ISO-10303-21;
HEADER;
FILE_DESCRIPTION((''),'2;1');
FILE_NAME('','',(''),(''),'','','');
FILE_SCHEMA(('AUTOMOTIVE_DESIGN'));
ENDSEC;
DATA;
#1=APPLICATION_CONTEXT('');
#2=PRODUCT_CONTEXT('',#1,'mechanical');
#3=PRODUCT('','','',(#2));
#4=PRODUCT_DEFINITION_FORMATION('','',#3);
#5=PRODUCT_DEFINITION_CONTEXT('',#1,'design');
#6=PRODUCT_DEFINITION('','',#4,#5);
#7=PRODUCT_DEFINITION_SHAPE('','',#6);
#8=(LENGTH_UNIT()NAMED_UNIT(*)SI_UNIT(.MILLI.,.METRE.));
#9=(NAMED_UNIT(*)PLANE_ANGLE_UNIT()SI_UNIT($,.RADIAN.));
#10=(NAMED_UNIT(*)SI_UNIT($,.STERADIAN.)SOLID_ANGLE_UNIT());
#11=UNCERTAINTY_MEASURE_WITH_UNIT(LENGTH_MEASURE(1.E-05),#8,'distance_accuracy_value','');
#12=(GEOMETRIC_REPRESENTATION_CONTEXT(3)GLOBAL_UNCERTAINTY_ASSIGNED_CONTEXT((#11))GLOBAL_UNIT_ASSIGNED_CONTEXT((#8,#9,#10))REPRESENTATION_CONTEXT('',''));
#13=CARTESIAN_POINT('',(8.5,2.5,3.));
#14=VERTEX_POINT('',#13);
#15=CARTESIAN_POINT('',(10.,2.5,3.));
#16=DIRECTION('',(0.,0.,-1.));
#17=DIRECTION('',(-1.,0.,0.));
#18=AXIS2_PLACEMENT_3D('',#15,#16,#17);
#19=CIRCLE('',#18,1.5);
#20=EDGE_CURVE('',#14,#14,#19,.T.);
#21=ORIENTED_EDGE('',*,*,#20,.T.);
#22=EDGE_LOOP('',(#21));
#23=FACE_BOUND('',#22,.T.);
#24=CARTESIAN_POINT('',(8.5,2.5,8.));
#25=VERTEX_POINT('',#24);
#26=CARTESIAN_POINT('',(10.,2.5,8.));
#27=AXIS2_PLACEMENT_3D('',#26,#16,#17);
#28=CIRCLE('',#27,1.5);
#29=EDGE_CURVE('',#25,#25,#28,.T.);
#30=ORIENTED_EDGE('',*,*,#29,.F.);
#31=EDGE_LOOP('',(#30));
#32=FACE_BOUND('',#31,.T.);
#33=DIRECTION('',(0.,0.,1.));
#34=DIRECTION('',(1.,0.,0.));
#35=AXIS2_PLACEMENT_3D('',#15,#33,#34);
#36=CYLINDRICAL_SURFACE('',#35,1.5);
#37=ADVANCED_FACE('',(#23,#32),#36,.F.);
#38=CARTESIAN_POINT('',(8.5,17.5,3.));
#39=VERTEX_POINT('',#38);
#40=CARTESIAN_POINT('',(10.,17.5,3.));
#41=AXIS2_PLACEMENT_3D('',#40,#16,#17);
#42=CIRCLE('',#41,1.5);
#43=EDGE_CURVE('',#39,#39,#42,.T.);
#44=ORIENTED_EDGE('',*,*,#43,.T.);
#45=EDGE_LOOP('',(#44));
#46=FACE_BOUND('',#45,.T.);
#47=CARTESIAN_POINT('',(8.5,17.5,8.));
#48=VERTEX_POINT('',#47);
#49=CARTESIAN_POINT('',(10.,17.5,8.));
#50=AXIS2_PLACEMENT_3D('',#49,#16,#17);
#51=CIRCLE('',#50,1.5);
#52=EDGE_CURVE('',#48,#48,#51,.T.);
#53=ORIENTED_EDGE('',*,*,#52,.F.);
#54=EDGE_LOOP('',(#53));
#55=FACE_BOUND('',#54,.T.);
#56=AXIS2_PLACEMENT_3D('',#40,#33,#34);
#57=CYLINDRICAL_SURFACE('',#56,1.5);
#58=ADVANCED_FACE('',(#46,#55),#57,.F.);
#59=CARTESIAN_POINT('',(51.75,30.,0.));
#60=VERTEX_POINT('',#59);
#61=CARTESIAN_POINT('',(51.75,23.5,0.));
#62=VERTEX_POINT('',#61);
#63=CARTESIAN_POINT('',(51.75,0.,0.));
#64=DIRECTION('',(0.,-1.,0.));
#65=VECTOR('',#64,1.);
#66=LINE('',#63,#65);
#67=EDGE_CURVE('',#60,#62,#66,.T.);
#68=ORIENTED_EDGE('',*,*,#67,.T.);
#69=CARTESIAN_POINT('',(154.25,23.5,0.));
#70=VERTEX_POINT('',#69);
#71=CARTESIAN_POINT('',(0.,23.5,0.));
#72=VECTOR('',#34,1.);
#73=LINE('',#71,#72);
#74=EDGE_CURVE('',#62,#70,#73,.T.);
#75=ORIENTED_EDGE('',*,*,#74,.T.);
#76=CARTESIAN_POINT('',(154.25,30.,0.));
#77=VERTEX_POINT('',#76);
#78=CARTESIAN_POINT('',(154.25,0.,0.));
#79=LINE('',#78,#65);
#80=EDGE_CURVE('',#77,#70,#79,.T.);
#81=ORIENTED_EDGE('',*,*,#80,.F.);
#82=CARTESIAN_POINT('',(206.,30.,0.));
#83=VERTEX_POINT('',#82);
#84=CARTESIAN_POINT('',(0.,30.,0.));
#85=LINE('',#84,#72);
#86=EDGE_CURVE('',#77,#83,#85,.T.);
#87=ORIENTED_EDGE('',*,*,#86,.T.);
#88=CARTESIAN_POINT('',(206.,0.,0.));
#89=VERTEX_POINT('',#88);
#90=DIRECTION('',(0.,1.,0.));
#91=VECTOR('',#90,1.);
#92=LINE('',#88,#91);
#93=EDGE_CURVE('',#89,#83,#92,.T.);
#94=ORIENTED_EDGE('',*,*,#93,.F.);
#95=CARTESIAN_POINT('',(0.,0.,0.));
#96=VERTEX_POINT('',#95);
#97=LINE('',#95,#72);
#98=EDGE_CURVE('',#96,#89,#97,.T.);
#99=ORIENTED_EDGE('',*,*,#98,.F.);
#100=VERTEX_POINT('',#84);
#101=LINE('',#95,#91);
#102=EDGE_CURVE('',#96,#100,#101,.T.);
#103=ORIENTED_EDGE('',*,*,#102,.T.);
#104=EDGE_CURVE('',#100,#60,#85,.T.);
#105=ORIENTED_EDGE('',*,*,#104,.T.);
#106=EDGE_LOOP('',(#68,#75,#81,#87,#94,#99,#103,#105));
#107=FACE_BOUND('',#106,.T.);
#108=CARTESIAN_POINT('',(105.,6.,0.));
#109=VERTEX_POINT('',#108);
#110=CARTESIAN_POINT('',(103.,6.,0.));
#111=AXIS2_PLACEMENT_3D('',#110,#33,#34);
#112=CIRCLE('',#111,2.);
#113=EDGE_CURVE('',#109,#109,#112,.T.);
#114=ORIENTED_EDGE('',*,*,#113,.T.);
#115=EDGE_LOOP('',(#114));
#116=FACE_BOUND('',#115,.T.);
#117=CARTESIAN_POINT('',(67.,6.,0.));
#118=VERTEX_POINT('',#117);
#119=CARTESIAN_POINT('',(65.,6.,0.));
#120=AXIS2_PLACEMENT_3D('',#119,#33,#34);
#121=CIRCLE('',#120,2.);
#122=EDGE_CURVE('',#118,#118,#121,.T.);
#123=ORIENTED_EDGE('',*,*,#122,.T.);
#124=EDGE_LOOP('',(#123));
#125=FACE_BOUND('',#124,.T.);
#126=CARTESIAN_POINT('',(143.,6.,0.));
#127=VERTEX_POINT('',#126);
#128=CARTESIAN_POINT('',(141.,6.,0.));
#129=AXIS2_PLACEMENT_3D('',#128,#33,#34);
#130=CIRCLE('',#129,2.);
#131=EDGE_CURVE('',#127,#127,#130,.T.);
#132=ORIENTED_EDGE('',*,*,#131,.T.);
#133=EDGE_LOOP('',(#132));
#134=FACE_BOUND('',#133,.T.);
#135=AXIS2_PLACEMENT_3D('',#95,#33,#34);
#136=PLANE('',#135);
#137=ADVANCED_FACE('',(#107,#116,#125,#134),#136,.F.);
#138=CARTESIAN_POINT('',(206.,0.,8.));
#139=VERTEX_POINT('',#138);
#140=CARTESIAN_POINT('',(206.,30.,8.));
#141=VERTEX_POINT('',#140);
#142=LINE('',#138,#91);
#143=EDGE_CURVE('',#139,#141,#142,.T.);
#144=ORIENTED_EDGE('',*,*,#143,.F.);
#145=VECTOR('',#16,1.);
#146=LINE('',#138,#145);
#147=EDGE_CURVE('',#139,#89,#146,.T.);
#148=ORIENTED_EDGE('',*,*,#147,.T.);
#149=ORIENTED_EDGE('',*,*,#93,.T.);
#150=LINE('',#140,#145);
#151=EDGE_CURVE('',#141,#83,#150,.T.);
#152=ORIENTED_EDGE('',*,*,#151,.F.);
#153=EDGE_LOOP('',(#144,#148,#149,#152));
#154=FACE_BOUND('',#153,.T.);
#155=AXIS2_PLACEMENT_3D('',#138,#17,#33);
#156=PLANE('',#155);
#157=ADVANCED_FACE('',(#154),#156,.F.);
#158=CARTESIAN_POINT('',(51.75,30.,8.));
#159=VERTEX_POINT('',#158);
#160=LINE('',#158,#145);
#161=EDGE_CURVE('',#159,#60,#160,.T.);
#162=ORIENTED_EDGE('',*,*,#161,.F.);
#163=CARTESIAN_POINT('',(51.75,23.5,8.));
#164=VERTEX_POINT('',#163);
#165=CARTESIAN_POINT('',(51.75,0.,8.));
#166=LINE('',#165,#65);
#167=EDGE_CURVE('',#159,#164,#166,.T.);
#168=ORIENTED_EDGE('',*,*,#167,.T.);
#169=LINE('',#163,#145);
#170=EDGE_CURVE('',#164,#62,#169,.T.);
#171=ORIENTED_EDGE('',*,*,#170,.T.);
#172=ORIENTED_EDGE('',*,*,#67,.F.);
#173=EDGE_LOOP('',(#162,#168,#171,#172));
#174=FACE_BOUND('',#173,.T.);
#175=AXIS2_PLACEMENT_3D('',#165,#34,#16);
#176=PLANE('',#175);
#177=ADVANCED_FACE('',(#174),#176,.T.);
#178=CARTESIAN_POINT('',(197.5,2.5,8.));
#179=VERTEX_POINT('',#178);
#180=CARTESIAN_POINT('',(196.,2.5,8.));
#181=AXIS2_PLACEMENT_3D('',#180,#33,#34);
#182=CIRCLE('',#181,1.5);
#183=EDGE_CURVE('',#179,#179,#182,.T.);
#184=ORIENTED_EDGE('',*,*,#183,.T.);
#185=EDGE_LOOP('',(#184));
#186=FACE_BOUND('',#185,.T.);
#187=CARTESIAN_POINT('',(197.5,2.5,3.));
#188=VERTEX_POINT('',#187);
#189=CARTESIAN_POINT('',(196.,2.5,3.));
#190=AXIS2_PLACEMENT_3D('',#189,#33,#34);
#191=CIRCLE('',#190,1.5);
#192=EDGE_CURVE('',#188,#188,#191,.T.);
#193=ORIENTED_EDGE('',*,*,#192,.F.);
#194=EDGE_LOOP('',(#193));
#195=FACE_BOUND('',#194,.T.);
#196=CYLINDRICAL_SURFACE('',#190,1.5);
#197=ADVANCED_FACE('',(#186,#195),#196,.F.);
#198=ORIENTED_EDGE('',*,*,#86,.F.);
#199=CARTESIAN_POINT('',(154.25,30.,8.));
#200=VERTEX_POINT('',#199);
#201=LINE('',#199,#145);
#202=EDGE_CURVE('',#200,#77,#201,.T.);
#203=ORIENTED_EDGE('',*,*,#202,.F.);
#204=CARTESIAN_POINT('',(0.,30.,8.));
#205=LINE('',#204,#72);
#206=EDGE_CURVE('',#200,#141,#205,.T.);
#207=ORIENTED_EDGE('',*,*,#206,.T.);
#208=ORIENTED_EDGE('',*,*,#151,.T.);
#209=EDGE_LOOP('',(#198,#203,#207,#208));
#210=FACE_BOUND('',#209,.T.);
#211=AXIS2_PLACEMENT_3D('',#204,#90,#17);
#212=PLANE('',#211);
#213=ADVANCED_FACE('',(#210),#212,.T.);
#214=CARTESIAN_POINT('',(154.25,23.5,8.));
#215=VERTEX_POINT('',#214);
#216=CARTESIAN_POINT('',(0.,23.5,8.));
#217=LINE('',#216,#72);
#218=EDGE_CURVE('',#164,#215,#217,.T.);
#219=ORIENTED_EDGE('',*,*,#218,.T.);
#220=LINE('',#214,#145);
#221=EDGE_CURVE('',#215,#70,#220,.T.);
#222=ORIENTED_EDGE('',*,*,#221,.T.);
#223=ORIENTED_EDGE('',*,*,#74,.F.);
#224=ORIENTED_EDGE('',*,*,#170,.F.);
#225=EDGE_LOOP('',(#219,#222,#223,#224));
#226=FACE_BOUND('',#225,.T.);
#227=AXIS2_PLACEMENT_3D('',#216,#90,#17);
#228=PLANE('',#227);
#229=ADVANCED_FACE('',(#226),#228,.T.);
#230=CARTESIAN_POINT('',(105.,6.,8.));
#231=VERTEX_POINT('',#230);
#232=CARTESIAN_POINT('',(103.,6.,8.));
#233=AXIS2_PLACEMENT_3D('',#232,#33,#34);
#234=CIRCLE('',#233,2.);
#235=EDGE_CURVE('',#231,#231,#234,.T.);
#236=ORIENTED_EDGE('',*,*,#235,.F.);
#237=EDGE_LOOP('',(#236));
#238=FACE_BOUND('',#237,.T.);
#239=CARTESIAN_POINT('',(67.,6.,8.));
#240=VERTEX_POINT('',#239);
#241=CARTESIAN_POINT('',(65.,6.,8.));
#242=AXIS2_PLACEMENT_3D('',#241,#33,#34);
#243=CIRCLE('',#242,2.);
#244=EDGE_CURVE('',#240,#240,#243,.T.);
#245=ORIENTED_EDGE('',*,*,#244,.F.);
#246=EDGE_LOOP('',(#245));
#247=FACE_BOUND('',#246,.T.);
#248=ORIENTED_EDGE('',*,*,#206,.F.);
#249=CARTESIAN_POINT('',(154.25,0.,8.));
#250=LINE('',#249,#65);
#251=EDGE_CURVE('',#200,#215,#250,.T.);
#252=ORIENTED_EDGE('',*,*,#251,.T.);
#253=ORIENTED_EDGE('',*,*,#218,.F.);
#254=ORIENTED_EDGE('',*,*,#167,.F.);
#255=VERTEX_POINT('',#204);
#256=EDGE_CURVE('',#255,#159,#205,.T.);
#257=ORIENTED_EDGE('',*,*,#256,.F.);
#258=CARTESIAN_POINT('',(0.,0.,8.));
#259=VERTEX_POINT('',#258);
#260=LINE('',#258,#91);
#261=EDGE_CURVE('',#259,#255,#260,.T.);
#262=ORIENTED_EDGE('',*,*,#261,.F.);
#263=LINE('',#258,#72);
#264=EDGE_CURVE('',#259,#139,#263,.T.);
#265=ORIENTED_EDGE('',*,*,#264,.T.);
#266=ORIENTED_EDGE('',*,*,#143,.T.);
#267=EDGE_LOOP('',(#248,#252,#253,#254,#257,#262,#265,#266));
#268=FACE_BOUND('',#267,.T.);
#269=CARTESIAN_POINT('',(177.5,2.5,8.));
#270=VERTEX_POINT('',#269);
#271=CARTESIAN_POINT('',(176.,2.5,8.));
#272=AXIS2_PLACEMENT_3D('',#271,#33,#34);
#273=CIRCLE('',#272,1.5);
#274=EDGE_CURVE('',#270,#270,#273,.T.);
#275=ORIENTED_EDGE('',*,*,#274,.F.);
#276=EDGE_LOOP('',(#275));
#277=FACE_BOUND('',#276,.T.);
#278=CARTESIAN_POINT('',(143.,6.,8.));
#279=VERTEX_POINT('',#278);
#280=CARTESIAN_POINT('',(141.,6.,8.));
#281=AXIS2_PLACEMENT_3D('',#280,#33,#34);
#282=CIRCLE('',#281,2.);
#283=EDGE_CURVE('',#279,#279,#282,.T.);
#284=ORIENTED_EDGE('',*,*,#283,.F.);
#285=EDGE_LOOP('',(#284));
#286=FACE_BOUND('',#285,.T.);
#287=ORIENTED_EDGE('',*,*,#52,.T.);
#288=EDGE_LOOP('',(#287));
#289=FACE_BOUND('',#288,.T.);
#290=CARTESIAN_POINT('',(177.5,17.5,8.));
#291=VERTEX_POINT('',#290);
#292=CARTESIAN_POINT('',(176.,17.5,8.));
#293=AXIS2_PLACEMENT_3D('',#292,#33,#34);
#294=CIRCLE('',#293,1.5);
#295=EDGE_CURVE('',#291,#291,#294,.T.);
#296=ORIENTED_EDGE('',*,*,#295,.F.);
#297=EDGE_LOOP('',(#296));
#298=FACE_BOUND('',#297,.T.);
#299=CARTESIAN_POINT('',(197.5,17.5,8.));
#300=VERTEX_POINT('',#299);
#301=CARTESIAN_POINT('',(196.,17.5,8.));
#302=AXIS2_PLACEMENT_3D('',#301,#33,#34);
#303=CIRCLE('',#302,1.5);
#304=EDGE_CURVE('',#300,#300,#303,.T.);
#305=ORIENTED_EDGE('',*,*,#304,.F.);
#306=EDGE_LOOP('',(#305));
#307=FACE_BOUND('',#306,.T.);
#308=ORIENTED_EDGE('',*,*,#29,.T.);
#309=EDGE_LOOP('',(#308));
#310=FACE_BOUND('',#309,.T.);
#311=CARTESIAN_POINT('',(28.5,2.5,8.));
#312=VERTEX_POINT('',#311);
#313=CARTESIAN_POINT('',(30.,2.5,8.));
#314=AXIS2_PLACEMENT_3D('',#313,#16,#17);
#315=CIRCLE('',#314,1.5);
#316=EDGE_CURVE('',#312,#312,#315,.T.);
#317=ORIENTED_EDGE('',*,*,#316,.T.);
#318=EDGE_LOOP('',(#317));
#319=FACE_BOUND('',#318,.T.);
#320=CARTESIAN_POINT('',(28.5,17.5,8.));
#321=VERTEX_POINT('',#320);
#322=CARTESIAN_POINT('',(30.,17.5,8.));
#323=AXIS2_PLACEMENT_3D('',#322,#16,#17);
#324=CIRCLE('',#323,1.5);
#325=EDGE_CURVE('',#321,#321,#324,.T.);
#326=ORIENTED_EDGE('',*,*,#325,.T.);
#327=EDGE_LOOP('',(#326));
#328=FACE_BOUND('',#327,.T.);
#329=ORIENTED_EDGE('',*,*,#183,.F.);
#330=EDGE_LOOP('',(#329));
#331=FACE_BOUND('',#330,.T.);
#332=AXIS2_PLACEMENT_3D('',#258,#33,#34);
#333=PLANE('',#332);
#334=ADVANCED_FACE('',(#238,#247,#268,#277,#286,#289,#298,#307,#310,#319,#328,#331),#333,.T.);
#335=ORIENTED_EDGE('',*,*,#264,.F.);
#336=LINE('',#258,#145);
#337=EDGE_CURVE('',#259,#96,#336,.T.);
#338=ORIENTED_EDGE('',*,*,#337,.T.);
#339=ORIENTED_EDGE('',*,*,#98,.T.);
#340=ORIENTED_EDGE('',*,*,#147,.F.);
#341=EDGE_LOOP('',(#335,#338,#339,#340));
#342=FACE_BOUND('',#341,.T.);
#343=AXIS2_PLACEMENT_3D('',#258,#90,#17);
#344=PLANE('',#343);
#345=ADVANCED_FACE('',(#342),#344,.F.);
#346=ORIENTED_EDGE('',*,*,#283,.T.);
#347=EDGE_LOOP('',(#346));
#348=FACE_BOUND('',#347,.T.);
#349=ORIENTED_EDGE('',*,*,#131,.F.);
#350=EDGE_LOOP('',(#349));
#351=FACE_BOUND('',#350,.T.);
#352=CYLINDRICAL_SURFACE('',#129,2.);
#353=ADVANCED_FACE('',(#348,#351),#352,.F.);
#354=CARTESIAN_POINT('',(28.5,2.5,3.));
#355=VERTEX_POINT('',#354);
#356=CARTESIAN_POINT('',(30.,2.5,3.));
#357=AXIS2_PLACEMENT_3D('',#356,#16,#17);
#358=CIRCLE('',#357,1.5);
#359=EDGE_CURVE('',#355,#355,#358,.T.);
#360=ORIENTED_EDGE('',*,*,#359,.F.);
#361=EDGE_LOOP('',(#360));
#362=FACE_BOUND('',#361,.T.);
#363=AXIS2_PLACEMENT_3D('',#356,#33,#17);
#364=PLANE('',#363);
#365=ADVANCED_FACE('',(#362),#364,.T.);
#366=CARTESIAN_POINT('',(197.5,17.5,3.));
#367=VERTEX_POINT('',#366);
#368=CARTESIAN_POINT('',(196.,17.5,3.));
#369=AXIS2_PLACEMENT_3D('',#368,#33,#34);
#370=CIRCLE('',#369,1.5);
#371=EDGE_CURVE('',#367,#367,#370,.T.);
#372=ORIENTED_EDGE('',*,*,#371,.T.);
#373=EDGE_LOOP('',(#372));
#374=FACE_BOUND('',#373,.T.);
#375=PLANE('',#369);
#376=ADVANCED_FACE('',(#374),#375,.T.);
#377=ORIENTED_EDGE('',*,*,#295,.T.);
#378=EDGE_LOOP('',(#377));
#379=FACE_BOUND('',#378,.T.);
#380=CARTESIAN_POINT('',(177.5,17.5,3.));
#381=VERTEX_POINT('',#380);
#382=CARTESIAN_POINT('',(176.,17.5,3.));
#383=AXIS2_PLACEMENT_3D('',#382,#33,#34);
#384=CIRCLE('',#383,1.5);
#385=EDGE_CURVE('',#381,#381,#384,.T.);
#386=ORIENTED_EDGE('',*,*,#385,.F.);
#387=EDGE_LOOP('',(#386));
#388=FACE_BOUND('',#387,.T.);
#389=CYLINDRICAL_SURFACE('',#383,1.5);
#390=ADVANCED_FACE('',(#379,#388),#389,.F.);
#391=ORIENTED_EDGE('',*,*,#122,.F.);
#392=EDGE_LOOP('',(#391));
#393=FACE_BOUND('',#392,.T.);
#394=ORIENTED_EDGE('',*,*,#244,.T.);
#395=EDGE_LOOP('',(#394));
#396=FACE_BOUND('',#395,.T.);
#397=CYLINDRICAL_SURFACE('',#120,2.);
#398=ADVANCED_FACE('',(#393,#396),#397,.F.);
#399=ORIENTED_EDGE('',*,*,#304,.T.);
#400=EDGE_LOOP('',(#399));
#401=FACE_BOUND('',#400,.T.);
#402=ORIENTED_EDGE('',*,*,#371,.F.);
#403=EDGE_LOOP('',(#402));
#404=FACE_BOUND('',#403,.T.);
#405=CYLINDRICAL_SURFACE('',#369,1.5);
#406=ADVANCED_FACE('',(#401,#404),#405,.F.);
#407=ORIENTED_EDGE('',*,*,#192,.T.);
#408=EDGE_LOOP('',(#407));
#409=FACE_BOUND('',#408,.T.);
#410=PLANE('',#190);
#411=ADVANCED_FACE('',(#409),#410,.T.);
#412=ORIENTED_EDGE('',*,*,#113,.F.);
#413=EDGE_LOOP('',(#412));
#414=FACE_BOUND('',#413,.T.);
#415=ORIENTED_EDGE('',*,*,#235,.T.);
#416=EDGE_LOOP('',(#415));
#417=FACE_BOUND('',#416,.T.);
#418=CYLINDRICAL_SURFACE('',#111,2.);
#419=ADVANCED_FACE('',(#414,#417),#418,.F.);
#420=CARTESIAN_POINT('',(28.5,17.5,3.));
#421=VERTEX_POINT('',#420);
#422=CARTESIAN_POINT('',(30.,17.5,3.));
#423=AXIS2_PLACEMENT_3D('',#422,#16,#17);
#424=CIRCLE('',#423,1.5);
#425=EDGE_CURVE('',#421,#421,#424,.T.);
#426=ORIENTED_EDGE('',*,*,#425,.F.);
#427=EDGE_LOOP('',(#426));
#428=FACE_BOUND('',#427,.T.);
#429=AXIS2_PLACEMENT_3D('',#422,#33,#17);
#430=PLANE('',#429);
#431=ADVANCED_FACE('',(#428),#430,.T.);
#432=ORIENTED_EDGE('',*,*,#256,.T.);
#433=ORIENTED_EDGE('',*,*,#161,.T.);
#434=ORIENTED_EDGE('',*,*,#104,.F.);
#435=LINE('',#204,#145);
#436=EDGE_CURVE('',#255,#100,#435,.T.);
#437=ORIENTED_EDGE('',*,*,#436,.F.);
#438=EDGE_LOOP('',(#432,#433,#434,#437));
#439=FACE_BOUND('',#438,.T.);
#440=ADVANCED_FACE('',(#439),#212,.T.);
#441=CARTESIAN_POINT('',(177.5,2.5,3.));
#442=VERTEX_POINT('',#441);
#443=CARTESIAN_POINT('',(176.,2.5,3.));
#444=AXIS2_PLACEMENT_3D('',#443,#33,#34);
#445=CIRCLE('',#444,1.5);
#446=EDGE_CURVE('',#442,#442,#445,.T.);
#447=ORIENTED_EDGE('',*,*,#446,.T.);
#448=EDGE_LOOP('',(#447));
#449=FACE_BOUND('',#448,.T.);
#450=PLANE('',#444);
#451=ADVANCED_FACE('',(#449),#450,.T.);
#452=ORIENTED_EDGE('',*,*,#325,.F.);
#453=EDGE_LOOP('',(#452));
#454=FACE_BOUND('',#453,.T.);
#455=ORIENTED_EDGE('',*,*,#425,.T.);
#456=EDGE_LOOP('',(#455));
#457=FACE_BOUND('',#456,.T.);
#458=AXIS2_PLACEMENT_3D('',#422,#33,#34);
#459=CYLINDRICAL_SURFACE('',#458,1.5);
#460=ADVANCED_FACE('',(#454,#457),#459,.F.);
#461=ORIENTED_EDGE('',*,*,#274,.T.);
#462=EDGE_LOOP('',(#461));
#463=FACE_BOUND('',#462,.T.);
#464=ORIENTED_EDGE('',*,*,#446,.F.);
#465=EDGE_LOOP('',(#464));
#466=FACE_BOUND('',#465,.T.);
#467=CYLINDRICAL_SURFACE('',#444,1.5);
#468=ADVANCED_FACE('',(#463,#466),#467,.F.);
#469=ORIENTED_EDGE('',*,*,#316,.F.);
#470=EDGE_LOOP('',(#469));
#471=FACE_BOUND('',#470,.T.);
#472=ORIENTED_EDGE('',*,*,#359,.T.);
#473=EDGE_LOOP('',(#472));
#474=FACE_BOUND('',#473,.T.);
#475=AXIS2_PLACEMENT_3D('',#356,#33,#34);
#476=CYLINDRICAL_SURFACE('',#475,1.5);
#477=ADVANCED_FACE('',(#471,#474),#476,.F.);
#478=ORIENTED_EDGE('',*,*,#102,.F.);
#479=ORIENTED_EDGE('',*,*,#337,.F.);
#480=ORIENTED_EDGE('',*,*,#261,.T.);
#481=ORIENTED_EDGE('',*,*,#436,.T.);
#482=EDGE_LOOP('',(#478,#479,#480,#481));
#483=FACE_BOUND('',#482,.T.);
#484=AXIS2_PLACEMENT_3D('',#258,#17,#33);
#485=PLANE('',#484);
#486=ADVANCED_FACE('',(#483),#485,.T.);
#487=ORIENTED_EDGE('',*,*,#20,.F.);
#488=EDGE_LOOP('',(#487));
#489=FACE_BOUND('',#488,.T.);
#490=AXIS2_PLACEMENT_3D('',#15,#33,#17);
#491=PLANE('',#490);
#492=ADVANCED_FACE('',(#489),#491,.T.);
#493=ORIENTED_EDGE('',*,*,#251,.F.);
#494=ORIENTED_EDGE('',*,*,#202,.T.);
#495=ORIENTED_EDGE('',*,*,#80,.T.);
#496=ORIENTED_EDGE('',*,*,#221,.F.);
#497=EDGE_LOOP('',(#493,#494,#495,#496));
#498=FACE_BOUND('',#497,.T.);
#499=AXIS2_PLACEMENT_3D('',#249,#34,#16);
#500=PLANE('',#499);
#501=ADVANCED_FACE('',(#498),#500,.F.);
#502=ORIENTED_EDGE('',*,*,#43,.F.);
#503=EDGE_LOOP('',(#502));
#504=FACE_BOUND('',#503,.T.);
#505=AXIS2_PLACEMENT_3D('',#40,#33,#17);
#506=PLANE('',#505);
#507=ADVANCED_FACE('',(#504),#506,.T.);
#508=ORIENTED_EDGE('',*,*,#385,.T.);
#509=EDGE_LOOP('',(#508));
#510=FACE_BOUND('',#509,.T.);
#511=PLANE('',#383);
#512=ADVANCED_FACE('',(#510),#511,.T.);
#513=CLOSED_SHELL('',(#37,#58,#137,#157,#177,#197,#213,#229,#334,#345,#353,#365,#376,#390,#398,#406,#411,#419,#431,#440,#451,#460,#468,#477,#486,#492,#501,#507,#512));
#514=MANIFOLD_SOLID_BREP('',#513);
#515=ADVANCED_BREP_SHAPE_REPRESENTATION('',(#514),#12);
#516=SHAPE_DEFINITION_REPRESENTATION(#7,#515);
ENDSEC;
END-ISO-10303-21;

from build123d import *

# Parameters (mm, degrees)
BOSS_EXTRU_1_DEPTH      = 8
ESQUISSE2_R             = 2
ENL_V_MAT_EXTRU_1_DEPTH = 9
ESQUISSE3_R             = 1.5
ENL_V_MAT_EXTRU_2_DEPTH = 5


with BuildPart() as part:
    # Esquisse1 → Boss.-Extru.1 (new body)
    with BuildSketch(Plane.XY):
        Polygon((0, 30), (0, 0), (206, 0), (206, 30), (154.25, 30), (154.25, 23.5), (51.75, 23.5), (51.75, 30), align=None)
    extrude(amount=BOSS_EXTRU_1_DEPTH)

    # Esquisse2 → Enlèv. mat.-Extru.1 (cut, through all)
    with BuildSketch(Plane.XY.offset(8)):
        with Locations((103, 6)):
            Circle(ESQUISSE2_R)
        with Locations((141, 6)):
            Circle(ESQUISSE2_R)
        with Locations((65, 6)):
            Circle(ESQUISSE2_R)
    extrude(amount=-ENL_V_MAT_EXTRU_1_DEPTH, mode=Mode.SUBTRACT)

    # Esquisse3 → Enlèv. mat.-Extru.2 (cut)
    with BuildSketch(Plane.XY.offset(8)):
        with Locations((176, 17.5)):
            Circle(ESQUISSE3_R)
        with Locations((196, 17.5)):
            Circle(ESQUISSE3_R)
        with Locations((196, 2.5)):
            Circle(ESQUISSE3_R)
        with Locations((176, 2.5)):
            Circle(ESQUISSE3_R)
    enl_v_mat_extru_2 = extrude(amount=-ENL_V_MAT_EXTRU_2_DEPTH, mode=Mode.SUBTRACT)

    # Symétrie1: Enlèv. mat.-Extru.2 across plane
    add(enl_v_mat_extru_2.mirror(Plane(origin=(103, 0, 0), x_dir=(0, 0, 1), z_dir=(1, 0, 0))), mode=Mode.SUBTRACT)


solid = part.part
